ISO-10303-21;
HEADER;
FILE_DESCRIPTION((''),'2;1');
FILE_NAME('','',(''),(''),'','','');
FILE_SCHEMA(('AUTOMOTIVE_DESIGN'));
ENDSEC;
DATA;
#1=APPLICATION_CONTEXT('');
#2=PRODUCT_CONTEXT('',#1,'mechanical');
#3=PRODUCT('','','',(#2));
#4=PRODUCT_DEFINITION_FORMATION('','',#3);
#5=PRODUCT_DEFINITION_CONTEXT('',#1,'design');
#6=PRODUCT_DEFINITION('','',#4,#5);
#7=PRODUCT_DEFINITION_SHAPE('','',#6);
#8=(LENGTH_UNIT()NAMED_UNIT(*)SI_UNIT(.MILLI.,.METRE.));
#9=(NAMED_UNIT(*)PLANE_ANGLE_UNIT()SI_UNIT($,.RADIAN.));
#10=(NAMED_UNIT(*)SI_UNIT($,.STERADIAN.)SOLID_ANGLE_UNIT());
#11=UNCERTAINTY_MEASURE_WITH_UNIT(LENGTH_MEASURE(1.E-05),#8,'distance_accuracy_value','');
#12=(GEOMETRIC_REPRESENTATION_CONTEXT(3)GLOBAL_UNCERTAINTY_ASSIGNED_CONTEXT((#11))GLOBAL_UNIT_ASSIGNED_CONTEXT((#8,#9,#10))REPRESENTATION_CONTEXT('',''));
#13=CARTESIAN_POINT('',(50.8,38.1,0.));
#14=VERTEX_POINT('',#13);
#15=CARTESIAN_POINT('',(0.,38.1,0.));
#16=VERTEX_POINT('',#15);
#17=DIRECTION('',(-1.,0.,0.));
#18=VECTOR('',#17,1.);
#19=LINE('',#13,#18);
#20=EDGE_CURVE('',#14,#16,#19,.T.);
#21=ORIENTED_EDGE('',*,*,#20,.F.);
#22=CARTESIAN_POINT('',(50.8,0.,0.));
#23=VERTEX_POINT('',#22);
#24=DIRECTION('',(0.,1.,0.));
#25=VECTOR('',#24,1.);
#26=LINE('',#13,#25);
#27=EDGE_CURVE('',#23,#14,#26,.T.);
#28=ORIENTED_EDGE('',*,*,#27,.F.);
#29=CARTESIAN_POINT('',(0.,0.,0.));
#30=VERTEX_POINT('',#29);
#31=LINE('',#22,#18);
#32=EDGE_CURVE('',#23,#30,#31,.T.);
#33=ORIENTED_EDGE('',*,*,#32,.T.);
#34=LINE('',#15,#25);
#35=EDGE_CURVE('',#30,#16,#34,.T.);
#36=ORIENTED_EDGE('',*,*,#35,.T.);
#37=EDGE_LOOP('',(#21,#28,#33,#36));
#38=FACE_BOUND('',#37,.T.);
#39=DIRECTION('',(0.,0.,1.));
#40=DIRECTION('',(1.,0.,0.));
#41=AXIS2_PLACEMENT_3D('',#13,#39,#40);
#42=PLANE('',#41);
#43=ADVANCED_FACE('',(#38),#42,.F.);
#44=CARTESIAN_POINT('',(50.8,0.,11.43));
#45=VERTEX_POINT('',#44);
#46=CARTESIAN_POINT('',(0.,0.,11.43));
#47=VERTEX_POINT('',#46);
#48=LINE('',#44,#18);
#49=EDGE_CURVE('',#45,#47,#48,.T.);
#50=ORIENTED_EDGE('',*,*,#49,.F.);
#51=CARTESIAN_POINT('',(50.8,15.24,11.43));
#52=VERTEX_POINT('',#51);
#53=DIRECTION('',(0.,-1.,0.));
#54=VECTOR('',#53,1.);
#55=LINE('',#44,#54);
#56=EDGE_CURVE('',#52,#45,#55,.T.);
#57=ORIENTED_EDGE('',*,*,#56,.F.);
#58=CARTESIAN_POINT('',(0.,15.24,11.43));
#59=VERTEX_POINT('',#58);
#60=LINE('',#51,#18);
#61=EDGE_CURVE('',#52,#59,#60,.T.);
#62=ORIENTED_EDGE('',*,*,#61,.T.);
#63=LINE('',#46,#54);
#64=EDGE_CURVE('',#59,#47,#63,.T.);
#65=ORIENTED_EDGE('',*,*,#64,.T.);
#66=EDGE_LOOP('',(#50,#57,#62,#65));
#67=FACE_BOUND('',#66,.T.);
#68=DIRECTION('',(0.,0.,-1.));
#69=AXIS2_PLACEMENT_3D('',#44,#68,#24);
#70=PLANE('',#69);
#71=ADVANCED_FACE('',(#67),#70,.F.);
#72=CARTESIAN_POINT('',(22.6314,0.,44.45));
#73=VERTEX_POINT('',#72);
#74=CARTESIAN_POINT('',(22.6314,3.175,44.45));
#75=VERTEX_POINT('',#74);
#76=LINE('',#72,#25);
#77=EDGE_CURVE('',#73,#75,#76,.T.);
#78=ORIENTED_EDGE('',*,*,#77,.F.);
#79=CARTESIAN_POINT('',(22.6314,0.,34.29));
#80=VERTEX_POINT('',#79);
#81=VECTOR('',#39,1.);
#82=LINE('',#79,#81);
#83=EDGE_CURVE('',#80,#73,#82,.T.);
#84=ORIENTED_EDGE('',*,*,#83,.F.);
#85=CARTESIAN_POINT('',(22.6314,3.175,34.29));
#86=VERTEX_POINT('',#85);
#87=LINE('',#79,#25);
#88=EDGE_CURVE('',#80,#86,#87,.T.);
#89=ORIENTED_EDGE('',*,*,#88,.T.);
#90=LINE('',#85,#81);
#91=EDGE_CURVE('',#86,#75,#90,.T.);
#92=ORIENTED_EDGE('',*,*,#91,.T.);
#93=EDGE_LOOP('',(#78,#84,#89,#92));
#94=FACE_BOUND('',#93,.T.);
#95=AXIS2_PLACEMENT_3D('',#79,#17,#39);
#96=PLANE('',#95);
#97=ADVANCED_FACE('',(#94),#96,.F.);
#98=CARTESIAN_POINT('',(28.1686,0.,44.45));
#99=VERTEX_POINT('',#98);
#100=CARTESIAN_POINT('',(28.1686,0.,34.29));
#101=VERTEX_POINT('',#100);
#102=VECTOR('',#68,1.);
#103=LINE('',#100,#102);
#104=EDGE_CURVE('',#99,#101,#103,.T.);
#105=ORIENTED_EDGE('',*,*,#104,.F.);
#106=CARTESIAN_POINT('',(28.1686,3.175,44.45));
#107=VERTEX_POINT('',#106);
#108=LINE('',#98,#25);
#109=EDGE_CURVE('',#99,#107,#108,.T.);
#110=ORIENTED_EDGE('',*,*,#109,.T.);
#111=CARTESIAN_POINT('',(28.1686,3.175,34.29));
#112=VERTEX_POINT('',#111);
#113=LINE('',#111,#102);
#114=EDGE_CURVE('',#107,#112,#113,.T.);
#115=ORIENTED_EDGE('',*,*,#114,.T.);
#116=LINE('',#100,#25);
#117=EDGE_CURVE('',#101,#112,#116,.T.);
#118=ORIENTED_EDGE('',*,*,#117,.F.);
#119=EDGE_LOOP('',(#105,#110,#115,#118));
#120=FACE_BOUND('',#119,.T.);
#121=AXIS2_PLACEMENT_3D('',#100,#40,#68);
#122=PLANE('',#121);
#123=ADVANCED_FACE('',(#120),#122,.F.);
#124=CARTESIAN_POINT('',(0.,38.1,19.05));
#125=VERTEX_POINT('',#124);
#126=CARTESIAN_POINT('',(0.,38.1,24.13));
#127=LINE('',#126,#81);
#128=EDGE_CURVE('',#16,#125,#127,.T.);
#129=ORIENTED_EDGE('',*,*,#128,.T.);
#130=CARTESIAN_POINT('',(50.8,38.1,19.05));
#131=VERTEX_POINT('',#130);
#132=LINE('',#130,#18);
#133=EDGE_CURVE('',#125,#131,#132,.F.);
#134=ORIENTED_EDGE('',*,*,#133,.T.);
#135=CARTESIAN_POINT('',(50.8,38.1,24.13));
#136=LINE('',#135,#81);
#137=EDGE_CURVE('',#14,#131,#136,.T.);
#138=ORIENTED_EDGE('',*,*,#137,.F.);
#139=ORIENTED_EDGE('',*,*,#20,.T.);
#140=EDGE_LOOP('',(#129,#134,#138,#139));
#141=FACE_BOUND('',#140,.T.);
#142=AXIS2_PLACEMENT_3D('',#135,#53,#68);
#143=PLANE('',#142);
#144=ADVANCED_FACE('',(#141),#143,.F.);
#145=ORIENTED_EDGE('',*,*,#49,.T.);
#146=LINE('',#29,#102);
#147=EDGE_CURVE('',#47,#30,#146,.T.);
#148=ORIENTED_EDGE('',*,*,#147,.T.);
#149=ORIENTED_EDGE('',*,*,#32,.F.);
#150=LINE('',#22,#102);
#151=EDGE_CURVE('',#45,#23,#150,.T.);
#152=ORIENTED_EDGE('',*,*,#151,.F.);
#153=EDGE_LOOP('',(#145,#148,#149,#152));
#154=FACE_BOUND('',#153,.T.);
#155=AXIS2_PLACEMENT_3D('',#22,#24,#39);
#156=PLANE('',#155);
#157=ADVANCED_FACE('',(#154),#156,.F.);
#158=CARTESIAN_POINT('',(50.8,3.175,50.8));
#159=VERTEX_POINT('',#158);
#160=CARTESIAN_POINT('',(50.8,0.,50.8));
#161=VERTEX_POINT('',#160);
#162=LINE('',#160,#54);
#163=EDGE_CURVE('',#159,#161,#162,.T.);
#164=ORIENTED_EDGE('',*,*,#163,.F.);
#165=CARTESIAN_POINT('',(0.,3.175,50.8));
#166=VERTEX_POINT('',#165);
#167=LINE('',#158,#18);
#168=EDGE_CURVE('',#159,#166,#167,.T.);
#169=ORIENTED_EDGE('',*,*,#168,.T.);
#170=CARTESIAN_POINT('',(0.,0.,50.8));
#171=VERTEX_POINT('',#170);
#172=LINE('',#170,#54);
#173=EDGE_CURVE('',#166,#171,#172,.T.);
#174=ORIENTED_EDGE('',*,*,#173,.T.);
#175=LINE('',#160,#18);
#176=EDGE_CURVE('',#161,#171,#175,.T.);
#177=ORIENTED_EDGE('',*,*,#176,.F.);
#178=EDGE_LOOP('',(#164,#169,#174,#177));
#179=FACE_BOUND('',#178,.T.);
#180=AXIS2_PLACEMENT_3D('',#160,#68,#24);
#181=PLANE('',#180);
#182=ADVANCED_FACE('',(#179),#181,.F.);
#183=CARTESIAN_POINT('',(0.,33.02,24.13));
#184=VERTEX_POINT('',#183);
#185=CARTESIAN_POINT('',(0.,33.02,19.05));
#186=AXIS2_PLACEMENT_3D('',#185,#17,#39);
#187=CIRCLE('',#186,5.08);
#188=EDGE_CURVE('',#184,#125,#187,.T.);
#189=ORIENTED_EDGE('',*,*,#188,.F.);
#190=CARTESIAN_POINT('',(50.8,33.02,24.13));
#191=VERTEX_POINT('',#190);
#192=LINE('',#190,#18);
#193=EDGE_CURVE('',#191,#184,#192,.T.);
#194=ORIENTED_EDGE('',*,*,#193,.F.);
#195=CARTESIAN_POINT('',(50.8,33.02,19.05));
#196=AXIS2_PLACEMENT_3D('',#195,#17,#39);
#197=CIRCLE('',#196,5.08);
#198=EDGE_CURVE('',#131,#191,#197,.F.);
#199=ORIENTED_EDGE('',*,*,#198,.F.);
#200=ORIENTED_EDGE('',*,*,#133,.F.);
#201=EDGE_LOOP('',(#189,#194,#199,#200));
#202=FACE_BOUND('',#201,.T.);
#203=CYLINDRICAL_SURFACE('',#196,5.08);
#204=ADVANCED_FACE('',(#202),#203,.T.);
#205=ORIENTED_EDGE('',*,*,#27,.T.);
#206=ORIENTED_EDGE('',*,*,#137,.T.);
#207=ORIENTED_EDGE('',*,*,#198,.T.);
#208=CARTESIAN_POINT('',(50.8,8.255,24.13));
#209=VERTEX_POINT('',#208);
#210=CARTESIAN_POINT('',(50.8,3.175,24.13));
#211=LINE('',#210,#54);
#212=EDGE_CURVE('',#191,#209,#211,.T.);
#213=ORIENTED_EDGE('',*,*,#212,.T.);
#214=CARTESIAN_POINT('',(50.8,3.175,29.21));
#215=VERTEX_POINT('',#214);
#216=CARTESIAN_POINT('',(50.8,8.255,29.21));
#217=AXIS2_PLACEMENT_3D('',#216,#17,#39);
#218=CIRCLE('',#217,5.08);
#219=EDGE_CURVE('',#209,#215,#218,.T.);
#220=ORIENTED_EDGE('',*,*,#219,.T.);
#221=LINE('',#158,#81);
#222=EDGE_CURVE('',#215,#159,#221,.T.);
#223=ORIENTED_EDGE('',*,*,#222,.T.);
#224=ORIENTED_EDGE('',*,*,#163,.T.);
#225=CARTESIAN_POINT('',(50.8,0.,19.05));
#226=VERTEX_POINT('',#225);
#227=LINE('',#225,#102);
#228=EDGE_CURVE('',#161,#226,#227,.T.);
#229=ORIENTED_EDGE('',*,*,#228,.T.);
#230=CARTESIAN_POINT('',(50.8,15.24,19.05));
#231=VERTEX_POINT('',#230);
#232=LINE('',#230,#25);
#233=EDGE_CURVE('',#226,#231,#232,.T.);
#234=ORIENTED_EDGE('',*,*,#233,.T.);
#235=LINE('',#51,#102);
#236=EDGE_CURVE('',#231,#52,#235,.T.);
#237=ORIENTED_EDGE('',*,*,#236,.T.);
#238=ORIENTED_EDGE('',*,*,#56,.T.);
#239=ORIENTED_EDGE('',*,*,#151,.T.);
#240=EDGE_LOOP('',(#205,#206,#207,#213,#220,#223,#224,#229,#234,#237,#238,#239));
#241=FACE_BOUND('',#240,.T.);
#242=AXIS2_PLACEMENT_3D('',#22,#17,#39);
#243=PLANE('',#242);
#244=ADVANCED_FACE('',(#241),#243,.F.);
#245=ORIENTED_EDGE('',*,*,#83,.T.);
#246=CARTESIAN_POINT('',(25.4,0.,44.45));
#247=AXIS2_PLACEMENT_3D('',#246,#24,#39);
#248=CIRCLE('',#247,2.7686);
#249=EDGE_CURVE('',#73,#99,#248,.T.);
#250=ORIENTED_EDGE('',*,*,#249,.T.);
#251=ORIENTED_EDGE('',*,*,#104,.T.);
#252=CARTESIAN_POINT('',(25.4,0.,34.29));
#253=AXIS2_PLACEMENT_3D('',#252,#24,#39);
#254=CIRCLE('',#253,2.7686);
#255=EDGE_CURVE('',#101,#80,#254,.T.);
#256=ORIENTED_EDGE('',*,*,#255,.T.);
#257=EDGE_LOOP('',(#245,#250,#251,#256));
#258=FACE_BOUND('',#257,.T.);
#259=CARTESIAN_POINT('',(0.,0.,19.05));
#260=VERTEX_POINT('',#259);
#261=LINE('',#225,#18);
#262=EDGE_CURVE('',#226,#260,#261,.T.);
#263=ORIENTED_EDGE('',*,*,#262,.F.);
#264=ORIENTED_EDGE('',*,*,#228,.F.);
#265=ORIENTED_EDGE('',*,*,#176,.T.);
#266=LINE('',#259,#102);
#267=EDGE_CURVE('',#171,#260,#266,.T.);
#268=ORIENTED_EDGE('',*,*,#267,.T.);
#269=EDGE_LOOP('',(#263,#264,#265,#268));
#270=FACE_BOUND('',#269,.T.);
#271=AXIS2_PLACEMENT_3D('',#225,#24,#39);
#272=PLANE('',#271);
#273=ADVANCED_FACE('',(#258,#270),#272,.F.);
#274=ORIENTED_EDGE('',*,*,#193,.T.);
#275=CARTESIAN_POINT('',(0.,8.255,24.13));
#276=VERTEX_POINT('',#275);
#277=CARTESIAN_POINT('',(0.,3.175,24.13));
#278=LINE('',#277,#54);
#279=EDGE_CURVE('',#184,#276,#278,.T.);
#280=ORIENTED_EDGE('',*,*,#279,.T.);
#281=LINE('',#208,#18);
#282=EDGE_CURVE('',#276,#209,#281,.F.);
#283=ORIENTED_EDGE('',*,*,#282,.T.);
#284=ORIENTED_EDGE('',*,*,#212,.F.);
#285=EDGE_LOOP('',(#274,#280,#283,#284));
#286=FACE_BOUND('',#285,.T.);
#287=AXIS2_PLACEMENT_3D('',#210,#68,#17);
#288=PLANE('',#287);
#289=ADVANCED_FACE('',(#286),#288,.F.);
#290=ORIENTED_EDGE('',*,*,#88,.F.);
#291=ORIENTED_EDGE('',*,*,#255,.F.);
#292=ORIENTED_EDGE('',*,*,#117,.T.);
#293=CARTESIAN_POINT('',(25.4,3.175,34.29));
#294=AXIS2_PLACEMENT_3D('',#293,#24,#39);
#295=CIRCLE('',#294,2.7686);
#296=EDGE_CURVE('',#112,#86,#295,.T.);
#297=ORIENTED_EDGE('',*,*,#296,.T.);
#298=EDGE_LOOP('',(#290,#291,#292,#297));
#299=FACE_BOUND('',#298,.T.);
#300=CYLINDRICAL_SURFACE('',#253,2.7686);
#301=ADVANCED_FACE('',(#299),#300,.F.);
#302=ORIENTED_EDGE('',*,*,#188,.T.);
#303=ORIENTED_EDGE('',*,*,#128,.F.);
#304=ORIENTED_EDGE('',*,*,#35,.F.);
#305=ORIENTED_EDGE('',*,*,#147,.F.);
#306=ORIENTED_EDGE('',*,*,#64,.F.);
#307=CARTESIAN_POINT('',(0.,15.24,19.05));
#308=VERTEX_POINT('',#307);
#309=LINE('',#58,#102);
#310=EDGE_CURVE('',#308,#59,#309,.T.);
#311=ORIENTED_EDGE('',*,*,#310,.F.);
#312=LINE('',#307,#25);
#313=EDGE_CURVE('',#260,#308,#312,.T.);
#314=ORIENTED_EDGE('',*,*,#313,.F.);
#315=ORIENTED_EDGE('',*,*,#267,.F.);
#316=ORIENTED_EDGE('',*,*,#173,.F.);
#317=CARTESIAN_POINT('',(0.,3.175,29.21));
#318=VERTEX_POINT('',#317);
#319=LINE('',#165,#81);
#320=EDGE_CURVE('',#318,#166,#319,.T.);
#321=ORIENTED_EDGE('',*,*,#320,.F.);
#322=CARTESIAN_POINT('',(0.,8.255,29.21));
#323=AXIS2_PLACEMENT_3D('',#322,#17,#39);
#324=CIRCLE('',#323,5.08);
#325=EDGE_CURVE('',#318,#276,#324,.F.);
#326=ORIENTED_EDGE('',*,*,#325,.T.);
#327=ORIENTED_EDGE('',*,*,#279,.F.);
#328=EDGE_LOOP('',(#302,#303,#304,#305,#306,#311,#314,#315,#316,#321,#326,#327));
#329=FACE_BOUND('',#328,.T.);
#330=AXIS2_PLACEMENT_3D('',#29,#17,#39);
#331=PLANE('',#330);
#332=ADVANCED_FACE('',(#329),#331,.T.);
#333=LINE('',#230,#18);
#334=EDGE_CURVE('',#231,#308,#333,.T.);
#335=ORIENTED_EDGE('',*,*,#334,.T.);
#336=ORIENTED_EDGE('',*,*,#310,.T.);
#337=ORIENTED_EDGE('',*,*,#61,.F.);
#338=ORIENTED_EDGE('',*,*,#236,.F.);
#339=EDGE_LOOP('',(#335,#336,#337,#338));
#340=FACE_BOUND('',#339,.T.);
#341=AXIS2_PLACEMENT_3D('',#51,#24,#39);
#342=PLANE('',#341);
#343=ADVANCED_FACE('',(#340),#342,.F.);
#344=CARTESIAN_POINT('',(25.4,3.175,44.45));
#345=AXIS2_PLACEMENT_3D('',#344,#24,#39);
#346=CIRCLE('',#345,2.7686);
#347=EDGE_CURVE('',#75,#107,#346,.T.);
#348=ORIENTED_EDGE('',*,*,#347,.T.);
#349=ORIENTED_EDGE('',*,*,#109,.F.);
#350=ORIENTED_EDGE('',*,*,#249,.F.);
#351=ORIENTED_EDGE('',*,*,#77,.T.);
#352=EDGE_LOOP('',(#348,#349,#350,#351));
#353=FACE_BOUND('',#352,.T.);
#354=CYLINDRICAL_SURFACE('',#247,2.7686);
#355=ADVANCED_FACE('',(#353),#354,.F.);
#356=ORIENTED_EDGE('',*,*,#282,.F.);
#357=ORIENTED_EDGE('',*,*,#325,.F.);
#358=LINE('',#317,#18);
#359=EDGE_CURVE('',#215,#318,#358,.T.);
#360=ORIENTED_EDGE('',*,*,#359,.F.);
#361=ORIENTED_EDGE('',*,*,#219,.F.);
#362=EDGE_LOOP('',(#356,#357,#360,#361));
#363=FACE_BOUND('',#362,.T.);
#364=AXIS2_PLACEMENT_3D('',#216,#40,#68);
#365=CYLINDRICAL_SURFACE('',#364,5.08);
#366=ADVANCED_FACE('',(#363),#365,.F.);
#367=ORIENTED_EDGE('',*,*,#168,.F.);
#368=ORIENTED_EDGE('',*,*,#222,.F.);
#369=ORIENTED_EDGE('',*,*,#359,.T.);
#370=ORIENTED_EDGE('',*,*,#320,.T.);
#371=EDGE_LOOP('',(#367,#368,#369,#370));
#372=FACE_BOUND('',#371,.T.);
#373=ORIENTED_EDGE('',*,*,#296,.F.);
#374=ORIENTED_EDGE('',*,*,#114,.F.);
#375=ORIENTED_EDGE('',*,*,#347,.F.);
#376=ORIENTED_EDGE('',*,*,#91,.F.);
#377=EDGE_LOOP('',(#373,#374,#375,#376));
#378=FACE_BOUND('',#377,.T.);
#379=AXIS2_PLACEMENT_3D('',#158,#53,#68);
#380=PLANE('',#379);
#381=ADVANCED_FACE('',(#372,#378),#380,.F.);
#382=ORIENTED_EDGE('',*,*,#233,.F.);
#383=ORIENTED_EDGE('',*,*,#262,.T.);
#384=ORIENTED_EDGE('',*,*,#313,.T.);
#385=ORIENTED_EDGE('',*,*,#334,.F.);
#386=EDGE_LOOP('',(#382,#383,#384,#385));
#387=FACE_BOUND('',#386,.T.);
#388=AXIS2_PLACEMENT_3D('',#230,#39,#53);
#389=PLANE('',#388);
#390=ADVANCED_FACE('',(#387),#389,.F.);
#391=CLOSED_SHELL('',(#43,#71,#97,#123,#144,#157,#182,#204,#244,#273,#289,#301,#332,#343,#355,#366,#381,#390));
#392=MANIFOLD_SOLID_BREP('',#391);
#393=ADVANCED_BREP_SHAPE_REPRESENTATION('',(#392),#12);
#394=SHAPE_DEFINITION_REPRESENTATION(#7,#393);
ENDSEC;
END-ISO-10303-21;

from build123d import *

# Parameters (mm, degrees)
BOSS_EXTRUDE1_DEPTH = 50.8
CUT_EXTRUDE1_DEPTH  = 80.881384721
FILLET1_R           = 5.08


with BuildPart() as part:
    # Sketch1 → Boss-Extrude1 (new body)
    with BuildSketch(Plane(origin=(0, 0, 0), x_dir=(0, 0, -1), z_dir=(1, 0, 0))):
        Polygon((0, 0), (-11.43, 0), (-11.43, 15.24), (-19.05, 15.24), (-19.05, 0), (-50.8, 0), (-50.8, 3.175), (-24.13, 3.175), (-24.13, 38.1), (0, 38.1), align=None)
    extrude(amount=BOSS_EXTRUDE1_DEPTH)

    # Sketch2 → Cut-Extrude1 (cut, through all)
    with BuildSketch(Plane(origin=(0, 3.175, 0), x_dir=(1, 0, 0), z_dir=(0, 1, 0))):
        with BuildLine():
            Line((28.1686, -34.29), (28.1686, -44.45))
            ThreePointArc((28.1686, -44.45), (25.4, -47.2186), (22.6314, -44.45))
            Line((22.6314, -44.45), (22.6314, -34.29))
            ThreePointArc((22.6314, -34.29), (25.4, -31.5214), (28.1686, -34.29))
        make_face()
    extrude(amount=-CUT_EXTRUDE1_DEPTH, mode=Mode.SUBTRACT)

    # Fillet1
    fillet1_edges = [part.edges().sort_by_distance(p)[0] for p in [
        (25.4, 3.175, 24.13),
        (25.4, 38.1, 24.13),
    ]]
    fillet(fillet1_edges, radius=FILLET1_R)


solid = part.part
